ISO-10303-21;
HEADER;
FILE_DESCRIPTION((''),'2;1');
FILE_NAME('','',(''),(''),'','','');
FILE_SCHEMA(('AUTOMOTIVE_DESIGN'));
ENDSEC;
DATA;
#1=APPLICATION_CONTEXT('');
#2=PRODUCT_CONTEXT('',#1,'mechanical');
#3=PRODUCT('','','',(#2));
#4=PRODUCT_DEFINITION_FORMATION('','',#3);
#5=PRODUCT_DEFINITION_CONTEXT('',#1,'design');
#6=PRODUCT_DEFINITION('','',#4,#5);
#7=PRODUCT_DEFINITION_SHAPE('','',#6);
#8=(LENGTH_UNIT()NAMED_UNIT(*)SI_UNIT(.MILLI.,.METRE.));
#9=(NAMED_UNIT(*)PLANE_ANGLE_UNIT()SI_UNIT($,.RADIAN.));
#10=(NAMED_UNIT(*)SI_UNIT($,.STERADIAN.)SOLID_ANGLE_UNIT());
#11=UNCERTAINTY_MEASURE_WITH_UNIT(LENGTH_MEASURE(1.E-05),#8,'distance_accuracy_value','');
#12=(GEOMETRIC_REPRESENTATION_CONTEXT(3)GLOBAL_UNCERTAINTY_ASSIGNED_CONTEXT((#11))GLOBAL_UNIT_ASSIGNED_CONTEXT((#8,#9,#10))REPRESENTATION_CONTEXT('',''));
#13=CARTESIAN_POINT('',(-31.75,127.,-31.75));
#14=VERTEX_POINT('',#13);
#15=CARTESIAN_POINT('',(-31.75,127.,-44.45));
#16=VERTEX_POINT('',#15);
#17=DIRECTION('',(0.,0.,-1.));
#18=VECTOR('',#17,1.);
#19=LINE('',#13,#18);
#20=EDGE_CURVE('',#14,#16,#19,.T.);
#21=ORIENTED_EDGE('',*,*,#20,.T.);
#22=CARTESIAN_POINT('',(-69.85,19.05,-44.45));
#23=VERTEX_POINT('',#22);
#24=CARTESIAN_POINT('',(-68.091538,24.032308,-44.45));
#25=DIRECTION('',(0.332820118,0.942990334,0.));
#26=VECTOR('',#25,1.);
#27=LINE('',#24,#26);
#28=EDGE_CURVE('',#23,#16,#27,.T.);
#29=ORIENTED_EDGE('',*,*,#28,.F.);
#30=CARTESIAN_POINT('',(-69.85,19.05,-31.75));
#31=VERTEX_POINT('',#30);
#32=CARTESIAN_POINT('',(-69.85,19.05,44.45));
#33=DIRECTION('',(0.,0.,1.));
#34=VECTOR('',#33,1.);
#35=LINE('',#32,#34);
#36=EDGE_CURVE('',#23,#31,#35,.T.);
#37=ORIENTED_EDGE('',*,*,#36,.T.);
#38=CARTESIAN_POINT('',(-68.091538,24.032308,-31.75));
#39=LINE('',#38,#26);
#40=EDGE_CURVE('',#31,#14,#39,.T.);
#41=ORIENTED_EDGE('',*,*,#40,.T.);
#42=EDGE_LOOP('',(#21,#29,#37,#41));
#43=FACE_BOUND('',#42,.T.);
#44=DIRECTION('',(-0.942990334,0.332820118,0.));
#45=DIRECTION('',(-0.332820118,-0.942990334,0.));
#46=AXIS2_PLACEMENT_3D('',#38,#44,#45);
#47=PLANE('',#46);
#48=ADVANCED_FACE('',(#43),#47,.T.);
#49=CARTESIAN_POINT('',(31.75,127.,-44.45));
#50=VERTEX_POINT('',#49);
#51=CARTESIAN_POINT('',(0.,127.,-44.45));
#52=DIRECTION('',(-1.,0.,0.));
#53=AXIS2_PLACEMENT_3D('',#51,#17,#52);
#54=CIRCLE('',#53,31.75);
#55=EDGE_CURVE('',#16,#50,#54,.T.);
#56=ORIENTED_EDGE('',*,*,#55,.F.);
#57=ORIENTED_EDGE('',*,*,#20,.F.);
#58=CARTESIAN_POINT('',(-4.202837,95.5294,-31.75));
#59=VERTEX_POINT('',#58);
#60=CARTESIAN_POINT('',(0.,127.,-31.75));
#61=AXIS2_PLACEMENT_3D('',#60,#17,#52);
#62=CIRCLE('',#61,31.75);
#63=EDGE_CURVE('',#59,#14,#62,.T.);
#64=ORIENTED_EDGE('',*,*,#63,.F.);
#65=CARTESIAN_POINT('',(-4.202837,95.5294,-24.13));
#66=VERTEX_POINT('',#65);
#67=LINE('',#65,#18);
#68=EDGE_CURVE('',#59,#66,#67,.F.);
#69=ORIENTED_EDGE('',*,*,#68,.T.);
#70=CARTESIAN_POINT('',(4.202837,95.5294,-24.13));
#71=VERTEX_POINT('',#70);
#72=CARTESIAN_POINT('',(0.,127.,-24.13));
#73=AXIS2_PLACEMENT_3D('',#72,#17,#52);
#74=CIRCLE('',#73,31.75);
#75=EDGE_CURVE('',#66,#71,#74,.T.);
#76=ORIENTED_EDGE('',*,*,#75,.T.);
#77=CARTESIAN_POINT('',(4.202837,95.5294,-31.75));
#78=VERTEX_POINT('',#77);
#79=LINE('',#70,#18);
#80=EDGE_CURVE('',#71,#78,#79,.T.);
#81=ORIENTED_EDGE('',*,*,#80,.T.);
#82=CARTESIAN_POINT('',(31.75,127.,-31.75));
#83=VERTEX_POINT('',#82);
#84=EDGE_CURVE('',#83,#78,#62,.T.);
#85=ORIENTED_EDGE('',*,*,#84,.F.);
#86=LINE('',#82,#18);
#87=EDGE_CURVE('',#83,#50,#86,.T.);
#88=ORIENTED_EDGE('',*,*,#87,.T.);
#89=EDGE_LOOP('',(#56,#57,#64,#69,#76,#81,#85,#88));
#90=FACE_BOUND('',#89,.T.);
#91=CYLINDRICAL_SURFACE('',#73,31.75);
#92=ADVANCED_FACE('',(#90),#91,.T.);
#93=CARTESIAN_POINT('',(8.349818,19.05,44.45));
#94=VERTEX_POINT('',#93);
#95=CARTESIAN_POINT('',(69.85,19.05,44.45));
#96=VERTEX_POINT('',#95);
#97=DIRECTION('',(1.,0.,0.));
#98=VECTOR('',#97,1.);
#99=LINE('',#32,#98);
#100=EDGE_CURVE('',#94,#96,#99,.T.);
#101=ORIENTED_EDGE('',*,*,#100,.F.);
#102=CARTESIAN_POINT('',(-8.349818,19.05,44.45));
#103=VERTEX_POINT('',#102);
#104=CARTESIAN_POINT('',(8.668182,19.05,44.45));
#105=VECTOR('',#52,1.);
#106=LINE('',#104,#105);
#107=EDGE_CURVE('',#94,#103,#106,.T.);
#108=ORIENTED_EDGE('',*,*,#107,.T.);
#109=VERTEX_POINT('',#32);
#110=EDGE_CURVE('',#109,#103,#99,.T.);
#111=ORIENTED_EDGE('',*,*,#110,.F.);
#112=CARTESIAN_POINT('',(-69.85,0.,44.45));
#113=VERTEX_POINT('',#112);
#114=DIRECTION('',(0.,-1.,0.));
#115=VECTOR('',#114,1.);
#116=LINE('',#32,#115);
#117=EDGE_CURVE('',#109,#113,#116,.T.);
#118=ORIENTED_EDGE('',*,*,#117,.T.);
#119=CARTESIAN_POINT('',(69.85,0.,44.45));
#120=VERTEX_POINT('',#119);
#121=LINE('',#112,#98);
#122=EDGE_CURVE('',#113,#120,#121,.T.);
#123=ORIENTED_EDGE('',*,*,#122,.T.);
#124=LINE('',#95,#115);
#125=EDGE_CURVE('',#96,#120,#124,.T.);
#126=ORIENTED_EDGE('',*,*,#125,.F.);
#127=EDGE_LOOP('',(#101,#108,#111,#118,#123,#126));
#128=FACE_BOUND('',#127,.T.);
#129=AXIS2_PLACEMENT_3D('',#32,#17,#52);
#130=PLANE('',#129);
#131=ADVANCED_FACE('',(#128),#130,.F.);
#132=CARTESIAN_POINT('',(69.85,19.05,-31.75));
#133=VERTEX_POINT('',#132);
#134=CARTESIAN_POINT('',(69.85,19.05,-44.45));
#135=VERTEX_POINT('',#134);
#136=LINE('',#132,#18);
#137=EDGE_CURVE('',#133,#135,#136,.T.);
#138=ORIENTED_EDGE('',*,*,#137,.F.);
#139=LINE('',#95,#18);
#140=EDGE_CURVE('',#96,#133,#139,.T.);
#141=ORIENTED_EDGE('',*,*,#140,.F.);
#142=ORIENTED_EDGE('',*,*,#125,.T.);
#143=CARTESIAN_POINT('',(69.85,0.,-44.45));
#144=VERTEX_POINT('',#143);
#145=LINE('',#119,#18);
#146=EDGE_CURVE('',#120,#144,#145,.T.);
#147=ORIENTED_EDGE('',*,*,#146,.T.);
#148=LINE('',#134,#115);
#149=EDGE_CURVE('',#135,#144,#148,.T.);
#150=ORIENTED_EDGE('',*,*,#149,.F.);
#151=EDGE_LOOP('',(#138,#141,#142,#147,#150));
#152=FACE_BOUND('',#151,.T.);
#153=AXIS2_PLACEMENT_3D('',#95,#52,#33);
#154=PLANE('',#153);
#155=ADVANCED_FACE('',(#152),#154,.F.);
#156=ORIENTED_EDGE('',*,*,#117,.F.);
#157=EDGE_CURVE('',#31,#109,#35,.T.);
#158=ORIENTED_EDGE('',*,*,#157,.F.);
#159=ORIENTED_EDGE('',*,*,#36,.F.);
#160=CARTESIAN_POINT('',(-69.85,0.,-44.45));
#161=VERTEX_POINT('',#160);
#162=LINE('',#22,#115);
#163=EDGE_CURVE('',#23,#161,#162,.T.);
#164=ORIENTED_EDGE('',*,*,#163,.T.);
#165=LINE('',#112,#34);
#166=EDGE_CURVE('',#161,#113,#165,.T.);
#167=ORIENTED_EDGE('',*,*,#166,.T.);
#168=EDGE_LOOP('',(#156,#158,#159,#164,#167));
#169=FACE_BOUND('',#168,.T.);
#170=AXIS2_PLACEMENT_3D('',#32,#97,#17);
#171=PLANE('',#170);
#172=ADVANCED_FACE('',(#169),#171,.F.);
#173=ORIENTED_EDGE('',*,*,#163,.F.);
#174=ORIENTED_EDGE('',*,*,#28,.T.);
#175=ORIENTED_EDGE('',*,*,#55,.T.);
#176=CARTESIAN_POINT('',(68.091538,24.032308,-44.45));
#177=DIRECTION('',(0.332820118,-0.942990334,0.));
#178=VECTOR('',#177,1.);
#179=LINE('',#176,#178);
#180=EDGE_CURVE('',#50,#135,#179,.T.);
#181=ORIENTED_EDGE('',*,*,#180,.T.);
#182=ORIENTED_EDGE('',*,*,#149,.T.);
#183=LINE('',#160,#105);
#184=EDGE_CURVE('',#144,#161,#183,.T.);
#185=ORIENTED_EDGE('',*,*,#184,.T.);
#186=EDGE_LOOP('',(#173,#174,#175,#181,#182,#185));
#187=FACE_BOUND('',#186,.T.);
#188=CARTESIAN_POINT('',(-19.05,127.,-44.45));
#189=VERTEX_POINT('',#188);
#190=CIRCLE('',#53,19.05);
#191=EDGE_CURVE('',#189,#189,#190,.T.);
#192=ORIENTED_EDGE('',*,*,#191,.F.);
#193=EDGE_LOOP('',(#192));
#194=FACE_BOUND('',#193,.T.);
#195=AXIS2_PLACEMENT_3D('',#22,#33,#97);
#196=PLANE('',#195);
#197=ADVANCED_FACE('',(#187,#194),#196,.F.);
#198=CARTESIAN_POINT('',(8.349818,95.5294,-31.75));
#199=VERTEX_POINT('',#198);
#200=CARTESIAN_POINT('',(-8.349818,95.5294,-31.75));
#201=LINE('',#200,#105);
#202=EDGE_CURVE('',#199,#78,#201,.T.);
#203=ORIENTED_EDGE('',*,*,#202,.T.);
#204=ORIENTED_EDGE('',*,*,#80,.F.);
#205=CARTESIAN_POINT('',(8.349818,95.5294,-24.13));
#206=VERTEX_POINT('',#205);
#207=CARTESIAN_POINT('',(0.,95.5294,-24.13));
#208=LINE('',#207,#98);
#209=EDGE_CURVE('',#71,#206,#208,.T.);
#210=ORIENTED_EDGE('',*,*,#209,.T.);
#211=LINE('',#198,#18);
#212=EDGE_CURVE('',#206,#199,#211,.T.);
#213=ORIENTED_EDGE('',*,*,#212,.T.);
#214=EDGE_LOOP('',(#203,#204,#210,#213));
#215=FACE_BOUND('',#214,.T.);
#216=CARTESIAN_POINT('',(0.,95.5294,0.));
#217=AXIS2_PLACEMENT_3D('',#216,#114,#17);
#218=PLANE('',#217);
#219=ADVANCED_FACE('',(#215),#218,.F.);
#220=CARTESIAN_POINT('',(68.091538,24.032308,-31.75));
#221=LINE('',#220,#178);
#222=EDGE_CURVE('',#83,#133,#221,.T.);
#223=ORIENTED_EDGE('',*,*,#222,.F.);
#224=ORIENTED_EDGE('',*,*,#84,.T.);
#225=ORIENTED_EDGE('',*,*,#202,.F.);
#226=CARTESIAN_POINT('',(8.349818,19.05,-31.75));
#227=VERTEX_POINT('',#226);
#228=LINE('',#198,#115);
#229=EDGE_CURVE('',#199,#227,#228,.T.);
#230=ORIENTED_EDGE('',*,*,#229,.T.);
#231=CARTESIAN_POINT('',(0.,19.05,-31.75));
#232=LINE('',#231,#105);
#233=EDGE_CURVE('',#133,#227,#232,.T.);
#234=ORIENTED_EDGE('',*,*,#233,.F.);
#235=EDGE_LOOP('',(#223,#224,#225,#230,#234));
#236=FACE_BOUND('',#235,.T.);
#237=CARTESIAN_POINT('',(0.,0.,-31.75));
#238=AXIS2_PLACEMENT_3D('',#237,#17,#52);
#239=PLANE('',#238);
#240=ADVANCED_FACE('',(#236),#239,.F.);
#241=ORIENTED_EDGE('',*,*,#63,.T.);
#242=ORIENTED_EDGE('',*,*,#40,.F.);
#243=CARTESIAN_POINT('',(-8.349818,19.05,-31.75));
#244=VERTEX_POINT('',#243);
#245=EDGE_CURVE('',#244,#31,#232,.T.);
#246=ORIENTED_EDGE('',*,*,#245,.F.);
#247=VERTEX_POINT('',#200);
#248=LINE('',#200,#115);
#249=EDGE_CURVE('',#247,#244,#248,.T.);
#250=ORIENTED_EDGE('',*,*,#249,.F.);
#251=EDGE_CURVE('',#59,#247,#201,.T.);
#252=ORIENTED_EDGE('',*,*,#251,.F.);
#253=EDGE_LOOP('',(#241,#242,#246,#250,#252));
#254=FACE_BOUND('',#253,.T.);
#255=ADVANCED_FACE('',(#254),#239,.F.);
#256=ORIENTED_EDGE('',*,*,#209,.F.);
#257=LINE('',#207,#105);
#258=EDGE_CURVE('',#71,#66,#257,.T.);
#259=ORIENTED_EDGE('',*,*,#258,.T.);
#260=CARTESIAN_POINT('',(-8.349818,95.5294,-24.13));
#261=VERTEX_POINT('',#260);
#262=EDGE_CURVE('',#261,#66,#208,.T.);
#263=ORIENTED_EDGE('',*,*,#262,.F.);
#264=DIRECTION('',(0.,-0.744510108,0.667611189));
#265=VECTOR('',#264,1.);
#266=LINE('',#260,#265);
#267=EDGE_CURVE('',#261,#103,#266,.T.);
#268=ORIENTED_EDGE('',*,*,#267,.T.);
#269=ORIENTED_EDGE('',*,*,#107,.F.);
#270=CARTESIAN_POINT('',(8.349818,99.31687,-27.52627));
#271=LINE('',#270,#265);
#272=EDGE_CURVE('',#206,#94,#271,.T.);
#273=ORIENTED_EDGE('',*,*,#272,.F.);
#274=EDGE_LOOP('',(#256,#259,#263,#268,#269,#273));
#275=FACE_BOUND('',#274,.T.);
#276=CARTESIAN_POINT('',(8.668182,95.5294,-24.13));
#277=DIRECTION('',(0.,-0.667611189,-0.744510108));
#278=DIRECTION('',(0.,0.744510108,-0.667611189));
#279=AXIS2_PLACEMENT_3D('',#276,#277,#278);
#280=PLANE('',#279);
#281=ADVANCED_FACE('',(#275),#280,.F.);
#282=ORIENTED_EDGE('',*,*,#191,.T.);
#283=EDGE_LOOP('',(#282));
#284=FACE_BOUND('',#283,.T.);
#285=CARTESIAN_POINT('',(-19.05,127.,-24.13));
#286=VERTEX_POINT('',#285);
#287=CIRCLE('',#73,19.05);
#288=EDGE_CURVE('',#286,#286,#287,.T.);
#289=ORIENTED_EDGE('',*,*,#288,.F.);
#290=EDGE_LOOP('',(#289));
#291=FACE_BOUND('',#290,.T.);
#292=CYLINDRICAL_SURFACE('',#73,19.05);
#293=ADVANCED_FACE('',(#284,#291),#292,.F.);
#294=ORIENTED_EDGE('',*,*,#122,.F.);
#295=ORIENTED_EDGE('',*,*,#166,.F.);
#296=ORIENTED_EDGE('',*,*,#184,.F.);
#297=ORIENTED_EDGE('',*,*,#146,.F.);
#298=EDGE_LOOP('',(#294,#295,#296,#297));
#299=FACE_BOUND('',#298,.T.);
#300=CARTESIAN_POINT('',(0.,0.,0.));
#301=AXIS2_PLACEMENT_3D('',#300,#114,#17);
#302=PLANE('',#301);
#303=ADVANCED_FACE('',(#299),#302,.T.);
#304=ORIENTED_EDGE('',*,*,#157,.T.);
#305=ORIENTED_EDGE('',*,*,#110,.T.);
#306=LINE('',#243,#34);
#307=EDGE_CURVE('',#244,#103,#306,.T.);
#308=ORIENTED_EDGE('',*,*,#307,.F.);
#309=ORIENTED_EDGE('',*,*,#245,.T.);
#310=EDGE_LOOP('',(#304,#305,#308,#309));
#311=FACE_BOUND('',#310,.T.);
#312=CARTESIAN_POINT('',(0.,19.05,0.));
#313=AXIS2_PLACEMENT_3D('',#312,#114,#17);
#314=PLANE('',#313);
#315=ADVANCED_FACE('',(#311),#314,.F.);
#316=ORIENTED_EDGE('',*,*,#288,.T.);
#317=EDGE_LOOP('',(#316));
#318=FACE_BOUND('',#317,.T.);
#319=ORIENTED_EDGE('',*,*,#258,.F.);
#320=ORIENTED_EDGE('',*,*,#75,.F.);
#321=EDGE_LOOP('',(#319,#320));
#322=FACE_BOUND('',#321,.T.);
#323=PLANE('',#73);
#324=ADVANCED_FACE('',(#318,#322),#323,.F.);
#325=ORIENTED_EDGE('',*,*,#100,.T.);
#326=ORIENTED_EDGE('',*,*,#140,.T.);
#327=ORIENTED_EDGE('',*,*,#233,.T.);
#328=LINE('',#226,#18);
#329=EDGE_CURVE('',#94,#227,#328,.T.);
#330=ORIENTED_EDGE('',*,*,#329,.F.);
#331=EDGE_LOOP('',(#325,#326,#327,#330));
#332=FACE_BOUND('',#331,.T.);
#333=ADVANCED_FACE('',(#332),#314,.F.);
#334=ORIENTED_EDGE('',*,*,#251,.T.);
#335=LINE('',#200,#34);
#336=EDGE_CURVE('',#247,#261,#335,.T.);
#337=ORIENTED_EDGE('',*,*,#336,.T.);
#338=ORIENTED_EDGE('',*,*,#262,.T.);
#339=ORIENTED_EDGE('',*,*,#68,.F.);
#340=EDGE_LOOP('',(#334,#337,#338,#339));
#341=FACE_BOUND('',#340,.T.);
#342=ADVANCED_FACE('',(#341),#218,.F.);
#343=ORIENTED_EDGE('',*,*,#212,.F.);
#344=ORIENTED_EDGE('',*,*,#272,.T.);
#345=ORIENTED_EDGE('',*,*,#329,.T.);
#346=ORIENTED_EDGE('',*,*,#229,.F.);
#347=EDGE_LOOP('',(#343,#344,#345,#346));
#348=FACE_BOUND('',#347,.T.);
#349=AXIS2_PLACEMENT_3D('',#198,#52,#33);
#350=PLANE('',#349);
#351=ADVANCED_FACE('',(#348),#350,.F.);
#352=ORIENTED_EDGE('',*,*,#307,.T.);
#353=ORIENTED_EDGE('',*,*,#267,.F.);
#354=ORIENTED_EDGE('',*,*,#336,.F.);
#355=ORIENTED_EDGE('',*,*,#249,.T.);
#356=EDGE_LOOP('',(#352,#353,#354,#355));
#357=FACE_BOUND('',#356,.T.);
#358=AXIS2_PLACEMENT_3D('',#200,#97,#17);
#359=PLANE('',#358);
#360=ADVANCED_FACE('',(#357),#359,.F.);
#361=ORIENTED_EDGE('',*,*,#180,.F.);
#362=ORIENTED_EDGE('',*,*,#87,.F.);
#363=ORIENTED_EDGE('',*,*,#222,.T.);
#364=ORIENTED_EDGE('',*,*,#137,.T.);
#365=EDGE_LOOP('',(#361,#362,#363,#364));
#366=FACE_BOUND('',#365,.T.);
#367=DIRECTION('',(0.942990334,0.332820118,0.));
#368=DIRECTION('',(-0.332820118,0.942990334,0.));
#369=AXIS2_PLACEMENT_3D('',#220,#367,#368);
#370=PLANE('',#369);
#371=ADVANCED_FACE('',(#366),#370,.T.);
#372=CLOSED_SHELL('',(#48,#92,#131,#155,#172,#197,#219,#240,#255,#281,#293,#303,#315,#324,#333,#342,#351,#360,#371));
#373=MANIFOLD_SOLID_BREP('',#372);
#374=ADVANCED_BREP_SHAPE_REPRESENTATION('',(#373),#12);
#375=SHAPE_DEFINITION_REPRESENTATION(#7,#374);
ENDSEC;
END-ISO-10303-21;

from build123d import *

# Parameters (mm, degrees)
SKETCH1_W           = 139.7
SKETCH1_H           = 88.9
BOSS_EXTRUDE1_DEPTH = 19.05
SKETCH2_R           = 31.75
SKETCH2_R_2         = 19.05
BOSS_EXTRUDE2_DEPTH = 20.32
BOSS_EXTRUDE3_DEPTH = 12.7
SKETCH5_W           = 16.69963643
SKETCH5_H           = 76.2
BOSS_EXTRUDE4_DEPTH = 76.4794
CUT_EXTRUDE1_DEPTH  = 17.018


with BuildPart() as part:
    # Sketch1 → Boss-Extrude1 (new body)
    with BuildSketch(Plane(origin=(0, 0, 0), x_dir=(1, 0, 0), z_dir=(0, 1, 0))):
        Rectangle(SKETCH1_W, SKETCH1_H)
    extrude(amount=BOSS_EXTRUDE1_DEPTH)



with BuildPart() as body_2:
    # Sketch2 → Boss-Extrude2 (new body)
    with BuildSketch(Plane(origin=(0, 0, -44.45), x_dir=(-1, 0, 0), z_dir=(0, 0, -1))):
        with Locations((0, 127)):
            Circle(SKETCH2_R)
        with Locations((0, 127)):
            Circle(SKETCH2_R_2, mode=Mode.SUBTRACT)
    extrude(amount=-BOSS_EXTRUDE2_DEPTH)


with BuildPart() as part_1:
    add(part.part)

    add(body_2.part)  # Boss-Extrude3 merges body 2
    # Sketch3 → Boss-Extrude3 (add)
    with BuildSketch(Plane(origin=(0, 0, -44.45), x_dir=(-1, 0, 0), z_dir=(0, 0, -1))):
        with BuildLine():
            ThreePointArc((-31.75, 127), (0, 95.25), (31.75, 127))
            Line((31.75, 127), (69.85, 19.05))
            Line((69.85, 19.05), (-69.85, 19.05))
            Line((-69.85, 19.05), (-31.75, 127))
        make_face()
    extrude(amount=-BOSS_EXTRUDE3_DEPTH)

    # Sketch5 → Boss-Extrude4 (add)
    with BuildSketch(Plane(origin=(0, 19.05, 0), x_dir=(1, 0, 0), z_dir=(0, 1, 0))):
        with Locations((0, -6.35)):
            Rectangle(SKETCH5_W, SKETCH5_H)
    extrude(amount=BOSS_EXTRUDE4_DEPTH)

    # Sketch6 → Cut-Extrude1 (cut)
    with BuildSketch(Plane.ZY.offset(8.349818215)):
        Polygon((-24.13, 95.5294), (44.45, 19.05), (44.45, 95.5294), align=None)
    extrude(amount=-CUT_EXTRUDE1_DEPTH, mode=Mode.SUBTRACT)


solid = part_1.part
